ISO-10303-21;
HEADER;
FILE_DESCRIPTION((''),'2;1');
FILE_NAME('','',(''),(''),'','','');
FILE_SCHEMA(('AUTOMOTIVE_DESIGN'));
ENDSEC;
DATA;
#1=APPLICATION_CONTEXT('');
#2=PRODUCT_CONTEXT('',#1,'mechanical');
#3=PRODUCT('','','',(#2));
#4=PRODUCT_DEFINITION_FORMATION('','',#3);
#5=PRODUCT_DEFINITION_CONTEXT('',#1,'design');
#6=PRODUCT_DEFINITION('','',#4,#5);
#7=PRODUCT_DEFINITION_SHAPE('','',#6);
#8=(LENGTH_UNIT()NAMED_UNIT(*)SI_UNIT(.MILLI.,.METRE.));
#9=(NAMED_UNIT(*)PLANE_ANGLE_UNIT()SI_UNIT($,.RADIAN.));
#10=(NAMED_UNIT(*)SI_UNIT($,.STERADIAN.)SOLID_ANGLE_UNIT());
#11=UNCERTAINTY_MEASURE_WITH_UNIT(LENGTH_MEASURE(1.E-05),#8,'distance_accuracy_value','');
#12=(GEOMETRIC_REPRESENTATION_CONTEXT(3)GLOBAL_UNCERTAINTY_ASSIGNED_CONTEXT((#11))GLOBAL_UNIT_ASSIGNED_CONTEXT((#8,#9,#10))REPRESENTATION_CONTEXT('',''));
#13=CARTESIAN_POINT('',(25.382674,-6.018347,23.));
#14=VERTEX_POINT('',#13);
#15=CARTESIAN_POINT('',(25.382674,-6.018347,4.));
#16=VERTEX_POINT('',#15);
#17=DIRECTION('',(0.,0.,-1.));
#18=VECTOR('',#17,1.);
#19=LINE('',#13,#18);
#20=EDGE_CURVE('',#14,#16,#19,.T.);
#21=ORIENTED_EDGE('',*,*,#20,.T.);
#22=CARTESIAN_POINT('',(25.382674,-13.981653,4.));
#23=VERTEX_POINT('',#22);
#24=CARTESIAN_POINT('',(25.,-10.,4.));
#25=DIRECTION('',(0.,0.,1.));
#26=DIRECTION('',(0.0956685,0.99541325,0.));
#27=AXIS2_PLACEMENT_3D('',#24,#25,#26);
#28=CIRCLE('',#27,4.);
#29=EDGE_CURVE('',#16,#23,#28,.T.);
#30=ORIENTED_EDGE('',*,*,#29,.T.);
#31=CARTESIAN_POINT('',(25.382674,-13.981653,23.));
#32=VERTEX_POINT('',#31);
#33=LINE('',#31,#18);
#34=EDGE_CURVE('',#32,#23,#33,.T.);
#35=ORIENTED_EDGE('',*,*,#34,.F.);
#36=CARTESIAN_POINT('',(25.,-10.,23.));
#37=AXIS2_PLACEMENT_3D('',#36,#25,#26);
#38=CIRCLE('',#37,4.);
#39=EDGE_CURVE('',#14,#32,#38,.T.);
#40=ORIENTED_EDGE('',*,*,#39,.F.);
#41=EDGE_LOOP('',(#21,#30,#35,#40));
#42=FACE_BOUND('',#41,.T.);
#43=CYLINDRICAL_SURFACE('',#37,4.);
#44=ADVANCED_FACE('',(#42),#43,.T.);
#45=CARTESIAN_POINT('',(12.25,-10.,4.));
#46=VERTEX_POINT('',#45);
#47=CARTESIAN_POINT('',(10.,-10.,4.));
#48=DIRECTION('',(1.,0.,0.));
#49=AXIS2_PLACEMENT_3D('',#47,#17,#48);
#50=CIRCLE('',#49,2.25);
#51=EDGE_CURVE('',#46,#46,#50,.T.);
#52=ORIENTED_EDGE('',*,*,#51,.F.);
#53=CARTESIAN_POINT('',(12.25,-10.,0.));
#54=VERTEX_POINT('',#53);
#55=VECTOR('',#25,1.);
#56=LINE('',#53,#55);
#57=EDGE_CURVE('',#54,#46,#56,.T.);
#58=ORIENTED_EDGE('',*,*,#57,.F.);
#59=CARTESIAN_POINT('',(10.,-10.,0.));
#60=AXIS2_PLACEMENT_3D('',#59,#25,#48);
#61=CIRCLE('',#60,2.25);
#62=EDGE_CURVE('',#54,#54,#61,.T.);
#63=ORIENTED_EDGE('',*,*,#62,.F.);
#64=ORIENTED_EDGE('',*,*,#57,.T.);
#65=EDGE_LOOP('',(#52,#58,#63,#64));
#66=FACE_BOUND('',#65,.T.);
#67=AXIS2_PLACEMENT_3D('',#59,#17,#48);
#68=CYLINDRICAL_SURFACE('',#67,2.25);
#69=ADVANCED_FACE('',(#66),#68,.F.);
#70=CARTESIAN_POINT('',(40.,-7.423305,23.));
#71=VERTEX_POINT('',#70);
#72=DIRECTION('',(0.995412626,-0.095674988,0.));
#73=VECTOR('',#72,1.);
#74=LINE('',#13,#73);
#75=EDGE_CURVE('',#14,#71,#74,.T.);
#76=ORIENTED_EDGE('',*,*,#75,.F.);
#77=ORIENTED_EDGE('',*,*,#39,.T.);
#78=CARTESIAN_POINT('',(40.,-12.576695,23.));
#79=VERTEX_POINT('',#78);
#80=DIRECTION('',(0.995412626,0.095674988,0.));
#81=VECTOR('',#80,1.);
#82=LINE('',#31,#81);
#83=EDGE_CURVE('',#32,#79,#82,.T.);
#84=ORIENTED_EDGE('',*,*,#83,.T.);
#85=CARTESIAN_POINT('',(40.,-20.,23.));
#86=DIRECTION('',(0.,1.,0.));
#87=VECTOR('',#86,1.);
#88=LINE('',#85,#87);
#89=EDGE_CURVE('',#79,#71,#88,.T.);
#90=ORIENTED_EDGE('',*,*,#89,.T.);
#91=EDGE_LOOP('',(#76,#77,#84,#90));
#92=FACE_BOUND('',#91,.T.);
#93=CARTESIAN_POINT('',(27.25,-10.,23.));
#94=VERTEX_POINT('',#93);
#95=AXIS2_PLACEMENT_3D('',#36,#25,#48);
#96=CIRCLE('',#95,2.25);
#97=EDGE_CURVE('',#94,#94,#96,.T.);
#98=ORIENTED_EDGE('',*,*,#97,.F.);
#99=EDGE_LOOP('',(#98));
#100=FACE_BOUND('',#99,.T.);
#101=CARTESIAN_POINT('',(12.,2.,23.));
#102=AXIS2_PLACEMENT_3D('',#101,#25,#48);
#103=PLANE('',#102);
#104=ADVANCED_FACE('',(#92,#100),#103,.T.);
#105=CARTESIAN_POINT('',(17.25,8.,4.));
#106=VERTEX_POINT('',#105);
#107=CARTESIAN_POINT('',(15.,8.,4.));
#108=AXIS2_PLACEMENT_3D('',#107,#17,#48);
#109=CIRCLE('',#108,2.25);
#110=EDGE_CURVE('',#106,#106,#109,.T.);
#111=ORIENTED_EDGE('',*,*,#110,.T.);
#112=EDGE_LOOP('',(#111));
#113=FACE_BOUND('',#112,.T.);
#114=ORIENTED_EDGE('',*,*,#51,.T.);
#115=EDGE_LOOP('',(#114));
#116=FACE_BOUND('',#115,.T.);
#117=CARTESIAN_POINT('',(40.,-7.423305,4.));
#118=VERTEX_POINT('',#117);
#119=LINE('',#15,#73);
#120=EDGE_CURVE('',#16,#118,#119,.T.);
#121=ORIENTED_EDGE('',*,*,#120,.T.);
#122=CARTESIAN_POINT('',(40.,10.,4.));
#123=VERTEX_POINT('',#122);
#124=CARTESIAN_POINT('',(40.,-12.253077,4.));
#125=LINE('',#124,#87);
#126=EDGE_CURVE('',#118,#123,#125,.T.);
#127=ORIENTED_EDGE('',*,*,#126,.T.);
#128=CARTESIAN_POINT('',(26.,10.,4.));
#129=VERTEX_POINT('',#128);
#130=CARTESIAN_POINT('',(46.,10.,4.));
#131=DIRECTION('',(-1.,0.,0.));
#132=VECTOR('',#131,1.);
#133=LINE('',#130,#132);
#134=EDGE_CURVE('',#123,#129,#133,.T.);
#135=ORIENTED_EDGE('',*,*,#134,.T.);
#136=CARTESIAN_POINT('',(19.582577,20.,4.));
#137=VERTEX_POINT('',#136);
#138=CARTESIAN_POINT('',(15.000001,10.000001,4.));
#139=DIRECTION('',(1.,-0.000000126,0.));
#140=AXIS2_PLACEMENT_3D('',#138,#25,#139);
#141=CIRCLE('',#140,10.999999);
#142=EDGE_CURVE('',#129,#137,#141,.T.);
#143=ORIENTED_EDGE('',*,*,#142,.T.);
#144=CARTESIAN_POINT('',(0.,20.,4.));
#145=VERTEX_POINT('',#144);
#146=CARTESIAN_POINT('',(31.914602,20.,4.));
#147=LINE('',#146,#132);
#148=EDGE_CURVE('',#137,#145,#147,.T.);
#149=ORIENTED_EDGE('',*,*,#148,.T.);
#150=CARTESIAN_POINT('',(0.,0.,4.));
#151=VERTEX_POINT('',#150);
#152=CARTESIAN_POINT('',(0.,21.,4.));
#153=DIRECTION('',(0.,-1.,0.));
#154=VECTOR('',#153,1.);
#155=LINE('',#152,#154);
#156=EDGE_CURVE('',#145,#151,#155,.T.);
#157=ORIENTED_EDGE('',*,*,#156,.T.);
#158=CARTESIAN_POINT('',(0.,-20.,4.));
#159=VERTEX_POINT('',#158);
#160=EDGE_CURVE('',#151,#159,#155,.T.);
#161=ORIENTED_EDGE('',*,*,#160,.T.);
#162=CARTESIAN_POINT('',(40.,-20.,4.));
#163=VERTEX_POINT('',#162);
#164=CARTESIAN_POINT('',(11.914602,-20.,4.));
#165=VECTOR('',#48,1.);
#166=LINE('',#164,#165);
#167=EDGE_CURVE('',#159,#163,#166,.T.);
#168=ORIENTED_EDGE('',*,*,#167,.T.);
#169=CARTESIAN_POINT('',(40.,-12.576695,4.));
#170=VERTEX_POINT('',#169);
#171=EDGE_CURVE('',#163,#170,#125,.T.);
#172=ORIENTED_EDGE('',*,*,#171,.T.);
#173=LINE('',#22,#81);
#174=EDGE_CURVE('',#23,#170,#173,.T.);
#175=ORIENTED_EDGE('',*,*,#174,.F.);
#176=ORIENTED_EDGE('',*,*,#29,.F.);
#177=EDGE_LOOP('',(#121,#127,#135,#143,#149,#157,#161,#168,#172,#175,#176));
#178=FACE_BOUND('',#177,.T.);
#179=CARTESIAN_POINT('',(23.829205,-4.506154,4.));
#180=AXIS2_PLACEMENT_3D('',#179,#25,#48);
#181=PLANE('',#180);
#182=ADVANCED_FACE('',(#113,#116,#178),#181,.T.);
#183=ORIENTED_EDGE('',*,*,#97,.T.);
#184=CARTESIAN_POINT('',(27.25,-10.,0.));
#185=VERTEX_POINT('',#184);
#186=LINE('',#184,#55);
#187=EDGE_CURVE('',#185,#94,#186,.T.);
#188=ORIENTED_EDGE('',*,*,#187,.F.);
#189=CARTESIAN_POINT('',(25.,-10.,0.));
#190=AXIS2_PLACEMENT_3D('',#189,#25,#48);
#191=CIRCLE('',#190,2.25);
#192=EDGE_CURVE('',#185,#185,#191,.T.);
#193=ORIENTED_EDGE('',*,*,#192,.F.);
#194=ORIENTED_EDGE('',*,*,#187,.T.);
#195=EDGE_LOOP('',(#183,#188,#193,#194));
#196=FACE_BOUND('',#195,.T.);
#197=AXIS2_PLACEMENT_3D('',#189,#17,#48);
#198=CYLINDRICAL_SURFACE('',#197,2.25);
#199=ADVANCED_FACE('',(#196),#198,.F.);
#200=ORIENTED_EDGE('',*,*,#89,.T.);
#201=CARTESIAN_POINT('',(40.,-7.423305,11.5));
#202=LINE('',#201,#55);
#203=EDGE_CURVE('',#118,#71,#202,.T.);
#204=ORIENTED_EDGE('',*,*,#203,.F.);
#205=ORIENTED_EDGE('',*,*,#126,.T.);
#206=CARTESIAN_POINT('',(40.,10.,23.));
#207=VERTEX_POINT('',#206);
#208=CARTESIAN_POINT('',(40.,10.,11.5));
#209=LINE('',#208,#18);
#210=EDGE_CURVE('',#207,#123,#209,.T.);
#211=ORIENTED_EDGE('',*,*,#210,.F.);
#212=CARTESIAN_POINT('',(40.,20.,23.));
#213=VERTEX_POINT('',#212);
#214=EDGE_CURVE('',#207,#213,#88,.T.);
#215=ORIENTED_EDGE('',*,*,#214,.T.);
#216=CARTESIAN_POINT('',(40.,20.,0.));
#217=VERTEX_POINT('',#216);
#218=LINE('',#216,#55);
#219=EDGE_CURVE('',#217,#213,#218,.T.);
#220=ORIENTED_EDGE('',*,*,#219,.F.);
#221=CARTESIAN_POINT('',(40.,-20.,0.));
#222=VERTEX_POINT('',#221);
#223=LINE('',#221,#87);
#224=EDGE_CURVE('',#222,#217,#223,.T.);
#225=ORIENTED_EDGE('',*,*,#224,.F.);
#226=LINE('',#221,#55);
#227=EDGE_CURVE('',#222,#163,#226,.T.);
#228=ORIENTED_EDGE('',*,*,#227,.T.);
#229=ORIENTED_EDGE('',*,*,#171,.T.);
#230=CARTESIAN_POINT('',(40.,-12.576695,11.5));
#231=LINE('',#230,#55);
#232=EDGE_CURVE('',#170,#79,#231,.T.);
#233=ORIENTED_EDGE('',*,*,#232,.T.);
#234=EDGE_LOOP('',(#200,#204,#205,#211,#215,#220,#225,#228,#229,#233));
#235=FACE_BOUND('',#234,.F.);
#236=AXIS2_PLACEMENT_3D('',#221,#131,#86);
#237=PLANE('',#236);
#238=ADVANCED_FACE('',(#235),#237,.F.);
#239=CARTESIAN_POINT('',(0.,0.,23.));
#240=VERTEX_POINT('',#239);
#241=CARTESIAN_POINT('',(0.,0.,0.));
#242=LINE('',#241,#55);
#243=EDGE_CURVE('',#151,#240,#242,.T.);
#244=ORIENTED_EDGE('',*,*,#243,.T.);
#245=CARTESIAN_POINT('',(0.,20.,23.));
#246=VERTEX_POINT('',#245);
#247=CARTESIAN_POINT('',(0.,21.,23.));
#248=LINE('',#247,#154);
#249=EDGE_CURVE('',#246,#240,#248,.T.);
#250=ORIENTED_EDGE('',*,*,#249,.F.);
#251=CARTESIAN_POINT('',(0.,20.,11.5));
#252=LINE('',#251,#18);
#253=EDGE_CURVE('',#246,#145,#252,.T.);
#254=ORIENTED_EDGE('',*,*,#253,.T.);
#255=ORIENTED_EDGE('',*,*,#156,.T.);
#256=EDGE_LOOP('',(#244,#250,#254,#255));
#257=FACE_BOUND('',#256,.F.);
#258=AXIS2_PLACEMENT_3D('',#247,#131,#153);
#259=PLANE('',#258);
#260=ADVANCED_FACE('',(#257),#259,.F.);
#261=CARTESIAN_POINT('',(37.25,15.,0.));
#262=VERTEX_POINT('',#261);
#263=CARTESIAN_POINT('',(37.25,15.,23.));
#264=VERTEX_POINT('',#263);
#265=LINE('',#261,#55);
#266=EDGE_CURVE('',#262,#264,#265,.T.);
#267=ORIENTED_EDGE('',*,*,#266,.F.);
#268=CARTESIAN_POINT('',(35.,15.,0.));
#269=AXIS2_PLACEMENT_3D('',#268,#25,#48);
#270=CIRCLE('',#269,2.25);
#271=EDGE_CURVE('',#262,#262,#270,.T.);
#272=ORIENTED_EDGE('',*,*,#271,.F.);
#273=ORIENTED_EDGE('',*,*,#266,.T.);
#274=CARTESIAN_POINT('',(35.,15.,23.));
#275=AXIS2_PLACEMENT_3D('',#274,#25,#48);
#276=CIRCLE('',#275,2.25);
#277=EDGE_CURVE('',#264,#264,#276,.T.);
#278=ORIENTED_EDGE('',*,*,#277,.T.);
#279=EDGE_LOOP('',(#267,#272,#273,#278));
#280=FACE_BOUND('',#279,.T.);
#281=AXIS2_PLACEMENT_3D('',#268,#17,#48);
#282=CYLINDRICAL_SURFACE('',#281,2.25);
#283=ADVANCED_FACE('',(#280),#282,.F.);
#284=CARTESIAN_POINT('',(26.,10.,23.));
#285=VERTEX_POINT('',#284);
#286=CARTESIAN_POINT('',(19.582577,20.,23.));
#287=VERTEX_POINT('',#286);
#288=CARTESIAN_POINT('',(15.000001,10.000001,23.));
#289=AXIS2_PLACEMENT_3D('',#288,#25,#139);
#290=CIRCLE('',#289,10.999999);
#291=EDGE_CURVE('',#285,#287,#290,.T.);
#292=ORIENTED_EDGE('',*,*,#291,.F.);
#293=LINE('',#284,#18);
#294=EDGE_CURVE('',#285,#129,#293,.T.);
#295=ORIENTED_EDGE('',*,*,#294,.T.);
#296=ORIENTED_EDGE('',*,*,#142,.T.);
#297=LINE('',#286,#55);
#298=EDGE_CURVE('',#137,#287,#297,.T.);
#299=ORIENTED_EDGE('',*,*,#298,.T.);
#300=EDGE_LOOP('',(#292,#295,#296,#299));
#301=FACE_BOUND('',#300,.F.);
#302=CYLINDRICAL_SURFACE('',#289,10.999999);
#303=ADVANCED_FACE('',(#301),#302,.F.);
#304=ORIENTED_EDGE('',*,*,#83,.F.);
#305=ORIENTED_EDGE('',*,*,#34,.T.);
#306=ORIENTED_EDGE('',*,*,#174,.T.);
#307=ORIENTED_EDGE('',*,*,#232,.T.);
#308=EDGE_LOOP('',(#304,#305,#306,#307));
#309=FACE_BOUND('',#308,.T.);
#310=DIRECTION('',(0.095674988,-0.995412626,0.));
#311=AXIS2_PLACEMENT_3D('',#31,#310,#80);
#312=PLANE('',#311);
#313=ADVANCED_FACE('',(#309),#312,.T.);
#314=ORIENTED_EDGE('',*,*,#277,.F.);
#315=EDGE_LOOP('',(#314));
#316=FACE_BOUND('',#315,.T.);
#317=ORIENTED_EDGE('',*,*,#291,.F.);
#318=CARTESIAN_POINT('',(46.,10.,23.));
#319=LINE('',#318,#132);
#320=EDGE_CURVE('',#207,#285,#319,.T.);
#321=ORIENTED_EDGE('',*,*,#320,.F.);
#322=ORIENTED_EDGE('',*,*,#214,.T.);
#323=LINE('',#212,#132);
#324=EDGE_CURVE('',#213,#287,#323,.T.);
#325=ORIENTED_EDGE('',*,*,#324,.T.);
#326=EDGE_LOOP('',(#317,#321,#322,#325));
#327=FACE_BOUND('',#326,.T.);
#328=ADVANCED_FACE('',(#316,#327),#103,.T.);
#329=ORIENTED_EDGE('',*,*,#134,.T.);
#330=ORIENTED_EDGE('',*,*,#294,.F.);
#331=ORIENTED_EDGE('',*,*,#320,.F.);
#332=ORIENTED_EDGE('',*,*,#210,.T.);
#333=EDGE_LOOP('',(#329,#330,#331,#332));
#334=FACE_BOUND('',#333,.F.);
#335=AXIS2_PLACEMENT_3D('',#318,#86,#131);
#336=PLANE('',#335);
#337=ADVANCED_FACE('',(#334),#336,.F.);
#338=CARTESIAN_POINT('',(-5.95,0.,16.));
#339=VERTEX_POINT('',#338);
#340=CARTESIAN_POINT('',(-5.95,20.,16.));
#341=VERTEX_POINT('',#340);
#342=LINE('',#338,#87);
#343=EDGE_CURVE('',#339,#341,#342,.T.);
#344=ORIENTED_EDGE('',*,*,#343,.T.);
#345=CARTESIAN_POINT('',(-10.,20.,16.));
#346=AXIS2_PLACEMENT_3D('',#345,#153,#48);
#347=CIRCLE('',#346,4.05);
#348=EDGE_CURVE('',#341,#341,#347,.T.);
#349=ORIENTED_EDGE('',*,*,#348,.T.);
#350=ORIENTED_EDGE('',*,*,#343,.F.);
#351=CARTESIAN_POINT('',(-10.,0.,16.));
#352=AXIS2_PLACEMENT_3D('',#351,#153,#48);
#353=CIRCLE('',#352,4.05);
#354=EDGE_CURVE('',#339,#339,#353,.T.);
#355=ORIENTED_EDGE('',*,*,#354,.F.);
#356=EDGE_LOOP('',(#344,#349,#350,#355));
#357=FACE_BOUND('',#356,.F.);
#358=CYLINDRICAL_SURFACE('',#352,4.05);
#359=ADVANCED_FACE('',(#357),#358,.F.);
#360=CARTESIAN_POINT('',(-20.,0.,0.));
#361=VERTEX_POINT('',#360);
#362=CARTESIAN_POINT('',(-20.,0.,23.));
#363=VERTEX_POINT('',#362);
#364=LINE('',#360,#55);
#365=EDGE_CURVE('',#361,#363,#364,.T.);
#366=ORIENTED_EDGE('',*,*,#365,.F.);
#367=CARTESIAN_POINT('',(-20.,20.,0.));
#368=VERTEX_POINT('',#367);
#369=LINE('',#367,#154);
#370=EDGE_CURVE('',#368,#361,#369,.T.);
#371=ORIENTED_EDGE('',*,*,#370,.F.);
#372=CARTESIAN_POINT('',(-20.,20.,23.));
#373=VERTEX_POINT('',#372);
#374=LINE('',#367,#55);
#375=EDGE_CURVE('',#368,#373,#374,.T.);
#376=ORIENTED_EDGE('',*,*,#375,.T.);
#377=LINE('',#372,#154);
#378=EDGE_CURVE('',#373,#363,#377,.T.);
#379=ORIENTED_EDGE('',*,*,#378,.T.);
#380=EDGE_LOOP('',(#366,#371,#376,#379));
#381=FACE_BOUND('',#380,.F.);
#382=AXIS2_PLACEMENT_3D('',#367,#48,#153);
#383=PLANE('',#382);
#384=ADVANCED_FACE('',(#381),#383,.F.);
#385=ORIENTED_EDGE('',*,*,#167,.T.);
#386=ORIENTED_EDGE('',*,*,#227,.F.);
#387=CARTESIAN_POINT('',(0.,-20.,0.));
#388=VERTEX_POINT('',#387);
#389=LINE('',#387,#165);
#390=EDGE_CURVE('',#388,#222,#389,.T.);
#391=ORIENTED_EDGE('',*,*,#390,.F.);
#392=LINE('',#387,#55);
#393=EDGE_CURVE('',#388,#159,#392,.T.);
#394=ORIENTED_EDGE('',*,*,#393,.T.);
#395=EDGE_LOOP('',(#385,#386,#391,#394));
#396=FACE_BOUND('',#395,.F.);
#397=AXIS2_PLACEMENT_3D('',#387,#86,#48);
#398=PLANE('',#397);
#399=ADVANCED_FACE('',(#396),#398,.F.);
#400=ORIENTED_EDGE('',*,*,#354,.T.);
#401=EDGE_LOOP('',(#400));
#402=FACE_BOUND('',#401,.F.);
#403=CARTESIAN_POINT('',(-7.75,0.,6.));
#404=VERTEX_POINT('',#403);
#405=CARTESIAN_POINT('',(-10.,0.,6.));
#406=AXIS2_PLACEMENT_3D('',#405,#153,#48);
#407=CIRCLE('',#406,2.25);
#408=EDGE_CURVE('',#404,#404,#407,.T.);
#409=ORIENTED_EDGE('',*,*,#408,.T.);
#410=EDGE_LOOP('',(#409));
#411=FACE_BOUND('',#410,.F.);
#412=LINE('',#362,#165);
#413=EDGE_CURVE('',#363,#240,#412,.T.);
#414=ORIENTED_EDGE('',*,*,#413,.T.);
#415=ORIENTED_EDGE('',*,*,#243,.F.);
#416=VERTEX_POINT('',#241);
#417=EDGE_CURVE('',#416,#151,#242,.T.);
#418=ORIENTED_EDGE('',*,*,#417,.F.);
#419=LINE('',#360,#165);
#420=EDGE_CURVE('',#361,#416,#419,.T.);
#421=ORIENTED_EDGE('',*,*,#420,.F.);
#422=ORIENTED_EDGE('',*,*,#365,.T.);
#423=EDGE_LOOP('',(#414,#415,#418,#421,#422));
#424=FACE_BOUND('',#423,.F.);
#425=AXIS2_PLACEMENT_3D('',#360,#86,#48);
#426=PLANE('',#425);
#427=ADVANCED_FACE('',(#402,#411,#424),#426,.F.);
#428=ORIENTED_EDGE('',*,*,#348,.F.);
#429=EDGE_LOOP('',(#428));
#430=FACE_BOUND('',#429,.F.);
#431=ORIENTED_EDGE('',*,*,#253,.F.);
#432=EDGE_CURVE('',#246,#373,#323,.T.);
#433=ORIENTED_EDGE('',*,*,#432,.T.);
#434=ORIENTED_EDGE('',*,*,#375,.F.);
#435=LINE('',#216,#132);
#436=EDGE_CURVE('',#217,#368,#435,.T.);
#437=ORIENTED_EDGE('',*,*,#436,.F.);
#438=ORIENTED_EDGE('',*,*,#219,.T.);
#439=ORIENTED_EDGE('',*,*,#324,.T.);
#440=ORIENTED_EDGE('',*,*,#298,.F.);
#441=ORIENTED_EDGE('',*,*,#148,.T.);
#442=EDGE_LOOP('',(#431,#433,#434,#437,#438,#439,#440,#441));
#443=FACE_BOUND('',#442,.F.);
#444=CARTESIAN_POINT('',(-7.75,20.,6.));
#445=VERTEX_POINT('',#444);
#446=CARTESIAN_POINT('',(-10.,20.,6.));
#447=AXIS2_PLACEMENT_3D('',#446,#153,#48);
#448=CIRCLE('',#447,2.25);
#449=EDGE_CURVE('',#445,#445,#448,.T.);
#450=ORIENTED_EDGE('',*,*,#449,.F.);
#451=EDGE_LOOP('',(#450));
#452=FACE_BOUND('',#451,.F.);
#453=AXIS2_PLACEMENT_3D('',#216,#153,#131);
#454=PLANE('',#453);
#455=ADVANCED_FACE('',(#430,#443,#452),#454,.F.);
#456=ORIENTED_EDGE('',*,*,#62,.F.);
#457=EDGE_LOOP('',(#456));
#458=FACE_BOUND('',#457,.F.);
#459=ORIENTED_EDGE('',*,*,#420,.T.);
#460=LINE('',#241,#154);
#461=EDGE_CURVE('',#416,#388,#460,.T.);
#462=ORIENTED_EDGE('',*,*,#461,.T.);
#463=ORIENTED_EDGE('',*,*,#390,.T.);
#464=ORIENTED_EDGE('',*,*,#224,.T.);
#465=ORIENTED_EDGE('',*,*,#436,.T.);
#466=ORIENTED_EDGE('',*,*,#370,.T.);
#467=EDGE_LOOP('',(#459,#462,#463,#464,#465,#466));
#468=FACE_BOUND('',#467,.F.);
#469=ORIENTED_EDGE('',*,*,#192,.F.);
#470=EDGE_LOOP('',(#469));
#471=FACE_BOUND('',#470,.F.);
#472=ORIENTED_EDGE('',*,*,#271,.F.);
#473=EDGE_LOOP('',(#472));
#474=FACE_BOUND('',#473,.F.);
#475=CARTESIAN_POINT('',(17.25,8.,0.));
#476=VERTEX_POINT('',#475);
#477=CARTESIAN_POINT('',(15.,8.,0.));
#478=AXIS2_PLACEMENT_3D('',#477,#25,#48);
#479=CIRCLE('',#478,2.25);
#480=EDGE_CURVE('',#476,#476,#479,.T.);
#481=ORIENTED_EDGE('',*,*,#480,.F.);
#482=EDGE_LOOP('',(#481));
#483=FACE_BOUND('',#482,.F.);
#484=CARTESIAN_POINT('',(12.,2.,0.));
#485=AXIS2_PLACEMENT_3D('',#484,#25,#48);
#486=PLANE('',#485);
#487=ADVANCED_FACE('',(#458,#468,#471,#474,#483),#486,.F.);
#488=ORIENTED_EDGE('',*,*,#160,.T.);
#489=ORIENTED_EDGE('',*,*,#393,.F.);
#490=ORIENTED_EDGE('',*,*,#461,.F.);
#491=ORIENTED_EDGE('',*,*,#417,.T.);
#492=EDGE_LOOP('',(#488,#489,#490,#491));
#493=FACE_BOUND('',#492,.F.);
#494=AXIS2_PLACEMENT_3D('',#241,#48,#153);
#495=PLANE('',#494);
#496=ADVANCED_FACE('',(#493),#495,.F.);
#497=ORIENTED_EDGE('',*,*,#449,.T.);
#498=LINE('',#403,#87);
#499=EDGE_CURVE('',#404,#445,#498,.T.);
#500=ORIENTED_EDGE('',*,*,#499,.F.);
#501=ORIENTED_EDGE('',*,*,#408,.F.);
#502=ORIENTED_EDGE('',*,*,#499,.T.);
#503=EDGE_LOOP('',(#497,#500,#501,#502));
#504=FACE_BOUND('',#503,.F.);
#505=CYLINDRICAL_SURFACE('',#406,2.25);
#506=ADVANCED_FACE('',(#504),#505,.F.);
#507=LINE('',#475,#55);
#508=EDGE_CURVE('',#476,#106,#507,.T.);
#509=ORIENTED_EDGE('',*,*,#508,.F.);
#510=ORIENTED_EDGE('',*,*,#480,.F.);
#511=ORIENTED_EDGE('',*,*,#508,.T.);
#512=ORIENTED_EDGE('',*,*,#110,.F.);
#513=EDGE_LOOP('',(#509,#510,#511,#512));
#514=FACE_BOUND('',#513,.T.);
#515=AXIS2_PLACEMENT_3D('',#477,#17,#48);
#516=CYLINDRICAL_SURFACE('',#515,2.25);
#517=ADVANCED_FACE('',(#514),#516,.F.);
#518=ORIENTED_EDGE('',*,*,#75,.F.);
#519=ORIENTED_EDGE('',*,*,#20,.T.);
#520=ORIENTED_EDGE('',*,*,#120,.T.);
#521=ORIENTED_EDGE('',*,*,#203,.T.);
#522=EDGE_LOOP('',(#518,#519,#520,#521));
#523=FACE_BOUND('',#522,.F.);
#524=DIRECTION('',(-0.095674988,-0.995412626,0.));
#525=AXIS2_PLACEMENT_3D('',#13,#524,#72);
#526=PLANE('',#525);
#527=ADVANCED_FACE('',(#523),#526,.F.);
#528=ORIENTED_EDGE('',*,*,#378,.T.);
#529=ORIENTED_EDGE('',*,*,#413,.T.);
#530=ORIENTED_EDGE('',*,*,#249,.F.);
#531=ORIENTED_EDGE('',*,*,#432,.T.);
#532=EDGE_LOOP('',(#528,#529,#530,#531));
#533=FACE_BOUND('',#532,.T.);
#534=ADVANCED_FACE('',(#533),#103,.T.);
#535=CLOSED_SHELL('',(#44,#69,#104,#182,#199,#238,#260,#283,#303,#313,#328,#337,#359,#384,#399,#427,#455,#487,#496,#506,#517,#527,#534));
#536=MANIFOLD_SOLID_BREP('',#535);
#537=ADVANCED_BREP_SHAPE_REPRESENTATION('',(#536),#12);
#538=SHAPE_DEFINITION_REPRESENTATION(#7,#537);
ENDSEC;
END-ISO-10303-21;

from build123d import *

# Parameters (mm, degrees)
SKETCH_R        = 2.25
PAD_DEPTH       = 23
POCKET_DEPTH    = 19
SKETCH002_R     = 4.05
SKETCH002_R_2   = 2.25
POCKET001_DEPTH = 20.001


with BuildPart() as part:
    # Sketch → Pad (new body)
    with BuildSketch(Plane.XY):
        Polygon((0, -20), (40, -20), (40, 20), (-20, 20), (-20, 0), (0, 0), align=None)
        with Locations((15, 8)):
            Circle(SKETCH_R, mode=Mode.SUBTRACT)
        with Locations((10, -10)):
            Circle(SKETCH_R, mode=Mode.SUBTRACT)
        with Locations((25, -10)):
            Circle(SKETCH_R, mode=Mode.SUBTRACT)
        with Locations((35, 15)):
            Circle(SKETCH_R, mode=Mode.SUBTRACT)
    extrude(amount=PAD_DEPTH)

    # Sketch001 → Pocket (cut)
    with BuildSketch(Plane.XY.offset(23)):
        with BuildLine():
            Line((46, 10), (26, 10))
            ThreePointArc((26, 10), (22.778175, 17.778175), (15, 21))
            Line((15, 21), (0, 21))
            Line((0, 21), (0, -23))
            Line((0, -23), (46, -23))
            Line((46, -23), (46, -12))
            Line((25.382674, -13.981653), (46, -12))
            ThreePointArc((25.382674, -6.018347), (21, -10), (25.382674, -13.981653))
            Line((25.382674, -6.018347), (46, -8))
            Line((46, -8), (46, 10))
        make_face()
    extrude(amount=-POCKET_DEPTH, mode=Mode.SUBTRACT)

    # Sketch002 → Pocket001 (cut, through all)
    with BuildSketch(Plane.XZ):
        with Locations((-10, 16)):
            Circle(SKETCH002_R)
        with Locations((-10, 6)):
            Circle(SKETCH002_R_2)
    extrude(amount=-POCKET001_DEPTH, mode=Mode.SUBTRACT)


solid = part.part
